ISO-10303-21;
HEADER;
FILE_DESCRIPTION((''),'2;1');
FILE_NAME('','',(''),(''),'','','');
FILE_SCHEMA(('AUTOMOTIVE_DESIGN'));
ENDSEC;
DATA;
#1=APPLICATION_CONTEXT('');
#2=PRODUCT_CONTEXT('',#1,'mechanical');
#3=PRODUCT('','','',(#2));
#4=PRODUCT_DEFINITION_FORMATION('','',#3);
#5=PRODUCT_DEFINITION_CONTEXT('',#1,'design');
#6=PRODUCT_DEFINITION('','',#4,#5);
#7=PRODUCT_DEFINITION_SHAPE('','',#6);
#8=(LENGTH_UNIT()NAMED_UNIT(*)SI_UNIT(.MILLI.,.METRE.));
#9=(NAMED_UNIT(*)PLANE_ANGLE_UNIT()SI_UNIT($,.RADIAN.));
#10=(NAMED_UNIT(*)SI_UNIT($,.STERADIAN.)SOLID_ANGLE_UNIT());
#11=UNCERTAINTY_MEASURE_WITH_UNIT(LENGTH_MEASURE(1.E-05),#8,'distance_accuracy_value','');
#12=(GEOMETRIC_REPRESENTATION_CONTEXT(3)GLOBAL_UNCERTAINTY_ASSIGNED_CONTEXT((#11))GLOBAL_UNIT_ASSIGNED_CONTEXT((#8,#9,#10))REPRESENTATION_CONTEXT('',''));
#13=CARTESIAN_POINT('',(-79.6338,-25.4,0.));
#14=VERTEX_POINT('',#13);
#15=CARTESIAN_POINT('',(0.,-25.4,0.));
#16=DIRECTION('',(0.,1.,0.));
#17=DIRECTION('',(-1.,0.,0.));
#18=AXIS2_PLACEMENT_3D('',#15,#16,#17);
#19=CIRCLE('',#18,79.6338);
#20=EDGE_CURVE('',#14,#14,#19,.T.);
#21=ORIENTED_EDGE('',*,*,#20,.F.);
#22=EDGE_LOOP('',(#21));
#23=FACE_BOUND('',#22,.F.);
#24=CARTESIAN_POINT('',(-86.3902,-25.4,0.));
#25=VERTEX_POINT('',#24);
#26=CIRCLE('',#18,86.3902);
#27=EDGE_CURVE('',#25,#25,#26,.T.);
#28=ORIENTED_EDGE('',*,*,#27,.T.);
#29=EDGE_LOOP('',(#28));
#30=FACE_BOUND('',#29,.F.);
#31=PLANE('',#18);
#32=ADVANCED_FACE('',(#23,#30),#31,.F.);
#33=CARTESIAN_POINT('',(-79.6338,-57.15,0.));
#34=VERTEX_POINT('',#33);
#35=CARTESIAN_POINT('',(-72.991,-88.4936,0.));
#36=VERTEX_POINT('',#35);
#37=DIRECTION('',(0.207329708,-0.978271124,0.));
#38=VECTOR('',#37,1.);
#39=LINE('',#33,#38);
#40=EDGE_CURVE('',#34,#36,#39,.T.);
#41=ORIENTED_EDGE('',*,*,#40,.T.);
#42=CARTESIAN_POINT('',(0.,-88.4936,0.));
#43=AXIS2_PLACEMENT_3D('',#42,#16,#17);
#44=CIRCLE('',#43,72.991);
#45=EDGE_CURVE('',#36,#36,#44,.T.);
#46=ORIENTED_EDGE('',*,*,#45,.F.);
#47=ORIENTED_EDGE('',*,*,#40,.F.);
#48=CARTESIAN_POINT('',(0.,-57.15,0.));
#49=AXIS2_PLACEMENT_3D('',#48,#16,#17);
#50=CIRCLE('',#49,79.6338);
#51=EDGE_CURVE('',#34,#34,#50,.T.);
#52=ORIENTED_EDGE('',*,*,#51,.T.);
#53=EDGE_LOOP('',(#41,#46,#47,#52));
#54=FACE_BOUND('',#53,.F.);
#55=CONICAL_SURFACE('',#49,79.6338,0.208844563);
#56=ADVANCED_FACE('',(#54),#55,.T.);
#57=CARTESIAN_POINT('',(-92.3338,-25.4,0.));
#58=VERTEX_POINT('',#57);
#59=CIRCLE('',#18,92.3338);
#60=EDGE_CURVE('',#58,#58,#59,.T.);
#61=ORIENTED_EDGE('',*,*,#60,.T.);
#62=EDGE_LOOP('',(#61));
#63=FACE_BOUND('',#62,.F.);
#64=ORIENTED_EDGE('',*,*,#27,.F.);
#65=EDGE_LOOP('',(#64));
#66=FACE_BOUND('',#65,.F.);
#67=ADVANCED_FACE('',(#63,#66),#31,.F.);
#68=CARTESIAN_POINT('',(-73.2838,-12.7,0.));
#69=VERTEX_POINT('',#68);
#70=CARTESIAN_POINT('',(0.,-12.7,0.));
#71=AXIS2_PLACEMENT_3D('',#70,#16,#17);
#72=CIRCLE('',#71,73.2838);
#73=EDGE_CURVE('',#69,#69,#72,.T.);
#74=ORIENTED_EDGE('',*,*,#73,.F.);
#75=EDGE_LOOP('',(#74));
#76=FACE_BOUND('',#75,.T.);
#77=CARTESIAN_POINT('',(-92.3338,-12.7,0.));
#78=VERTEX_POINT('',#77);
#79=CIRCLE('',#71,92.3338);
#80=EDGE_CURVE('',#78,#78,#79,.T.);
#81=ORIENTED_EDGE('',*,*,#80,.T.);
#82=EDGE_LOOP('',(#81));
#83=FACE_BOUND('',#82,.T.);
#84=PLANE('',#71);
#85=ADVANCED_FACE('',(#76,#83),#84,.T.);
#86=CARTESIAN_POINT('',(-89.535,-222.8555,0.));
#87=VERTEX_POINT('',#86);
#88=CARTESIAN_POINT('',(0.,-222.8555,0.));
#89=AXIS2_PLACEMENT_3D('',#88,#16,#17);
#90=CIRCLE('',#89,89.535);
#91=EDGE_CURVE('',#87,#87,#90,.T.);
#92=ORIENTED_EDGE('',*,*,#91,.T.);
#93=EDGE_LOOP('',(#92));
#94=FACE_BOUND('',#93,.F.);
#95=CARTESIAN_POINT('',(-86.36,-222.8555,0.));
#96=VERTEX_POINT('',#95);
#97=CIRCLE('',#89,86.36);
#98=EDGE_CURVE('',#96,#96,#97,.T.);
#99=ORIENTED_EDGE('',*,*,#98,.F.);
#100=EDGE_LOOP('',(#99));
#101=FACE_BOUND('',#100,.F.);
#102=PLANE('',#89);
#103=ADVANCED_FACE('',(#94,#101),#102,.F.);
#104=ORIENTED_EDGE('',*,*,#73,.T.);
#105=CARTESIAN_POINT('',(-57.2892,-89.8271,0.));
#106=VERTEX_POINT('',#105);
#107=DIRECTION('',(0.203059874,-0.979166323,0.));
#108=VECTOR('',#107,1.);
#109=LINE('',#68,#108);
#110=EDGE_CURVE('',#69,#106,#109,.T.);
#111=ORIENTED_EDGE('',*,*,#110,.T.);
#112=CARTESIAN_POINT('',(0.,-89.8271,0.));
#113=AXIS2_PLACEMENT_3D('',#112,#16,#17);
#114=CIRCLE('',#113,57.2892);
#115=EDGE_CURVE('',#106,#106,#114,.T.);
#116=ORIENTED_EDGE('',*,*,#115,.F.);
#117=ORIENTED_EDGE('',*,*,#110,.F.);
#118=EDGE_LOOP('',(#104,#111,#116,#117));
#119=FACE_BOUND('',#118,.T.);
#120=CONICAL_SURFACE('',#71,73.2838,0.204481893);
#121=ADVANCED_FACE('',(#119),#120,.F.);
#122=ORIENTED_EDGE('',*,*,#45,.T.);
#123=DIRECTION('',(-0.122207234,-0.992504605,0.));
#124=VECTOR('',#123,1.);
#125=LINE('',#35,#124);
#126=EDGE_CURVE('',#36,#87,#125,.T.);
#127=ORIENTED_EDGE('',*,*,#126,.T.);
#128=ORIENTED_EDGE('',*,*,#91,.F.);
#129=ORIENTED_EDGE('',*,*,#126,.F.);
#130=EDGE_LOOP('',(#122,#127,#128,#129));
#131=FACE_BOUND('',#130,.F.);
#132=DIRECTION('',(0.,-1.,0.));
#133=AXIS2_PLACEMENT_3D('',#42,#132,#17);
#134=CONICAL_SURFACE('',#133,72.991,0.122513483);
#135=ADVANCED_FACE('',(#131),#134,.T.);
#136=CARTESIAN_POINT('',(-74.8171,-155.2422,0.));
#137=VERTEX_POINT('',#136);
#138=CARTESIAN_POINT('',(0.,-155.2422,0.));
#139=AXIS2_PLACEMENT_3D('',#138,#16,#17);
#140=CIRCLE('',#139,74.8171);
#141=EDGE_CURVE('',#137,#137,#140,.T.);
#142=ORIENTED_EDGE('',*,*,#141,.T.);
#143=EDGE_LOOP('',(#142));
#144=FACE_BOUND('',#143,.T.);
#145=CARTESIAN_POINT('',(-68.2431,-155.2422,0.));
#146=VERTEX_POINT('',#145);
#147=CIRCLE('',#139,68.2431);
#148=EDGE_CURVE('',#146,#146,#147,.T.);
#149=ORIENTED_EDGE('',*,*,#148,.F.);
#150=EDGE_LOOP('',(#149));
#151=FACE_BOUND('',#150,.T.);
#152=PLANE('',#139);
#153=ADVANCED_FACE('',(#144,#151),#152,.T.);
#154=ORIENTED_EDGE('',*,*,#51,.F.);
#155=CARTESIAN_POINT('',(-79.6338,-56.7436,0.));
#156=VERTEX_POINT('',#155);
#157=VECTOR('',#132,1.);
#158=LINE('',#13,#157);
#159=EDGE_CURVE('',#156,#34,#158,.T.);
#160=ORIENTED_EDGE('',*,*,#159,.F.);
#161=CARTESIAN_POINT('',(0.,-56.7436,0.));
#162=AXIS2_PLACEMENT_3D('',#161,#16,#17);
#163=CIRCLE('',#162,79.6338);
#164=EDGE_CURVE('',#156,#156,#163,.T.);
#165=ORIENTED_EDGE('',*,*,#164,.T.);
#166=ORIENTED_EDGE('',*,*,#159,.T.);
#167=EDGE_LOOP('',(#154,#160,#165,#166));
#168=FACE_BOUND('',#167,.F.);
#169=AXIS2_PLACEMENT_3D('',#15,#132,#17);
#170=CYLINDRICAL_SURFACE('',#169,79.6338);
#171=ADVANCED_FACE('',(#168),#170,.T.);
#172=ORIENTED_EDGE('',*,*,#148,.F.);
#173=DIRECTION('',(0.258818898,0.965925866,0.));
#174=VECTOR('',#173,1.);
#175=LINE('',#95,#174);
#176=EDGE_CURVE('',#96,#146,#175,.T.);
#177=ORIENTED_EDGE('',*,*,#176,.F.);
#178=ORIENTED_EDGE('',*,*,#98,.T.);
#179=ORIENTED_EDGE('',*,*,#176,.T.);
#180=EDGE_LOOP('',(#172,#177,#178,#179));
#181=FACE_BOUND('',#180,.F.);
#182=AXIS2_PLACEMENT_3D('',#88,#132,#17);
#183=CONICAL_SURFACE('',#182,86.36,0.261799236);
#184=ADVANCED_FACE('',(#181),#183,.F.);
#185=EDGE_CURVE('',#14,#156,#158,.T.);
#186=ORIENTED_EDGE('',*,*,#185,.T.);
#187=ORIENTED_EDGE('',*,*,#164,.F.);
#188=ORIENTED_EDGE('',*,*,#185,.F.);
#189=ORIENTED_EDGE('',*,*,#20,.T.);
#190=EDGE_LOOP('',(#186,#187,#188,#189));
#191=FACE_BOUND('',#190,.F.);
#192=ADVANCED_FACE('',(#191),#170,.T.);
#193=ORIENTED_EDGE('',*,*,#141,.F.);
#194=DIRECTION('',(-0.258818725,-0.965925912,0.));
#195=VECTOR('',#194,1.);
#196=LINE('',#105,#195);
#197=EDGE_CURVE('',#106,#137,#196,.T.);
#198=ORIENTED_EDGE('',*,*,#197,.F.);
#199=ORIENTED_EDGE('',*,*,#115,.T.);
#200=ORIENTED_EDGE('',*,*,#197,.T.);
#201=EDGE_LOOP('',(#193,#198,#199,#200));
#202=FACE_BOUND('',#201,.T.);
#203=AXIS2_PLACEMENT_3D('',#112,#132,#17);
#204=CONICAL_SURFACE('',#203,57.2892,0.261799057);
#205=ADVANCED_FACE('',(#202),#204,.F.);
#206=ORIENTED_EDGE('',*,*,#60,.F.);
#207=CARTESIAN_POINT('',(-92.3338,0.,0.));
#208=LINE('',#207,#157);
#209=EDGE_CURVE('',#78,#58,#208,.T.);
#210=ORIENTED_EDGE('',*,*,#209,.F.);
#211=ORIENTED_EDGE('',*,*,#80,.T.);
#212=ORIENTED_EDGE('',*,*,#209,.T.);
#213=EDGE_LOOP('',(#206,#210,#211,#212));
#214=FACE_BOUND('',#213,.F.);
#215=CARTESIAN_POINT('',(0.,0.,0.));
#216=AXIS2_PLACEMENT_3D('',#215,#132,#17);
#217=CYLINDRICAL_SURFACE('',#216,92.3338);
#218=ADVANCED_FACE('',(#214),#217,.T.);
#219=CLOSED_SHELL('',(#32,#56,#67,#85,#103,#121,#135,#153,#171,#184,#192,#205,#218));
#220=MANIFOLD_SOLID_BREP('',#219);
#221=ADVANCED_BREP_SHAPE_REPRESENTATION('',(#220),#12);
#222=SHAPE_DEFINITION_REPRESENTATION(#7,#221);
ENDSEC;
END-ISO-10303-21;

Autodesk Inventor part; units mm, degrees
ref_plane "YZ Plane" through (0, 0, 0) normal (1, 0, 0) x (0, 1, 0)
ref_plane "XZ Plane" through (0, 0, 0) normal (0, 1, 0) x (-1, 0, 0)
ref_plane "XY Plane" through (0, 0, 0) normal (0, 0, 1) x (1, 0, 0)
sketch "Sketch1" plane through (0, 0, 0) normal (0, 0, 1) x (1, 0, 0)
  line L0 (0, 25.4) -> (-28.702, 25.4) construction
  line L1 (0, 25.4) -> (-95.25, 25.4) construction
  line L2 (-95.25, 25.4) -> (-89.1588, 25.4) construction
  line L3 (-89.1588, 25.4) -> (-85.693, 23.7839) construction
  line L4 (-89.1588, 25.4) -> (-89.1588, 21.1626) construction
  line L5 (-89.1588, 0) -> (-95.25, 0)
  line L6 (-28.702, 59.6457) -> (-28.702, -91.9304) construction
  arc A0 (-28.9184, -8.4804) -> (-32.3684, -1.0818) centre (-35.052, -6.8369) ccw
  line L7 (-89.1588, 25.4) -> (-89.1588, 0)
  line L8 (-89.1588, 25.4) -> (-32.3684, -1.0818)
  line L9 (-28.9184, -8.4804) -> (-28.9392, -8.5583)
  line L10 (0, -319.0244) -> (0, 122.7573) projected
  line L11 (-73.152, 17.9359) -> (-28.702, 17.9359) construction
  line L12 (-89.1588, 0) -> (-92.3338, 0)
  line L13 (11.4547, -6.8369) -> (-136.2084, -6.8369) construction
  line L14 (-57.2892, -89.8271) -> (-74.8171, -155.2422)
  line L15 (-92.3338, -12.7) -> (-73.2838, -12.7)
  line L16 (-73.2838, -12.7) -> (-54.421, -103.6575)
  line L17 (-74.8171, -155.2422) -> (-68.2431, -155.2422)
  line L18 (-92.3338, -25.4) -> (-79.6338, -25.4)
  line L19 (-79.6338, -25.4) -> (-79.6338, -57.15)
  line L20 (-79.6338, -57.15) -> (-72.991, -88.4936)
  line L21 (-92.3338, 0) -> (-92.3338, -25.4)
  line L22 (-86.3902, -25.4) -> (-86.3902, -31.3436)
  line L23 (-86.3902, -31.3436) -> (-92.3338, -31.3436)
  line L24 (-92.3338, -31.3436) -> (-92.3338, -56.7436)
  line L25 (-92.3338, -56.7436) -> (-79.6338, -56.7436)
  line L26 (-73.152, 17.9359) -> (-32.3684, -1.0818)
  line L27 (-73.152, 17.9359) -> (-50.7653, -90.0141)
  line L28 (-50.7653, -90.0141) -> (-28.9184, -8.4804)
  line L29 (-52.4654, -96.3589) -> (-28.9184, -8.4804)
  line L30 (-86.36, -222.8555) -> (-28.9184, -8.4804)
  line L31 (-72.991, -88.4936) -> (-89.535, -222.8555)
  line L32 (-89.535, -222.8555) -> (-86.36, -222.8555)
  point P0 (0, 0)
  point P1 (-95.25, -255.9127)
  point P2 (-88.7095, 22.4389)
  dimension "d0" = 28.702
  dimension "d3" = 25
  dimension "d5" = 25.4
  dimension "d6" = 25.4
  dimension "d8" = 12.7
  dimension "d34" = 15
  dimension "d37" = 44.45
  dimension "d46" = 19.05
  dimension "d47" = 12.7
  dimension "d55" = 12.7
  dimension "d56" = 31.75
  dimension "d58" = 0.25
  dimension "d60" = 12.7
  dimension "d61" = 25.4
  dimension "d62" = 5.9436
  dimension "d63" = 5.9436
  dimension "d64" = 3.175
  dimension "d68" = 107.95
  dimension "d69" = 6.35
  dimension "d70" = 6.35
  dimension "d71" = 3.175
  dimension "d73" = 86.36
  dimension "d74" = 31.75
  dimension "d75" = 6.3448
revolve "Revolution3" add sketch "Sketch1" angle 360 about axis through (0, -10, 0) along (0, 1, 0) contours L15 L16 L14 L17 L30 L32 L31 L20 L19 L18 L21
properties part number "aluminum_carrier" material "Aluminum 6061"
